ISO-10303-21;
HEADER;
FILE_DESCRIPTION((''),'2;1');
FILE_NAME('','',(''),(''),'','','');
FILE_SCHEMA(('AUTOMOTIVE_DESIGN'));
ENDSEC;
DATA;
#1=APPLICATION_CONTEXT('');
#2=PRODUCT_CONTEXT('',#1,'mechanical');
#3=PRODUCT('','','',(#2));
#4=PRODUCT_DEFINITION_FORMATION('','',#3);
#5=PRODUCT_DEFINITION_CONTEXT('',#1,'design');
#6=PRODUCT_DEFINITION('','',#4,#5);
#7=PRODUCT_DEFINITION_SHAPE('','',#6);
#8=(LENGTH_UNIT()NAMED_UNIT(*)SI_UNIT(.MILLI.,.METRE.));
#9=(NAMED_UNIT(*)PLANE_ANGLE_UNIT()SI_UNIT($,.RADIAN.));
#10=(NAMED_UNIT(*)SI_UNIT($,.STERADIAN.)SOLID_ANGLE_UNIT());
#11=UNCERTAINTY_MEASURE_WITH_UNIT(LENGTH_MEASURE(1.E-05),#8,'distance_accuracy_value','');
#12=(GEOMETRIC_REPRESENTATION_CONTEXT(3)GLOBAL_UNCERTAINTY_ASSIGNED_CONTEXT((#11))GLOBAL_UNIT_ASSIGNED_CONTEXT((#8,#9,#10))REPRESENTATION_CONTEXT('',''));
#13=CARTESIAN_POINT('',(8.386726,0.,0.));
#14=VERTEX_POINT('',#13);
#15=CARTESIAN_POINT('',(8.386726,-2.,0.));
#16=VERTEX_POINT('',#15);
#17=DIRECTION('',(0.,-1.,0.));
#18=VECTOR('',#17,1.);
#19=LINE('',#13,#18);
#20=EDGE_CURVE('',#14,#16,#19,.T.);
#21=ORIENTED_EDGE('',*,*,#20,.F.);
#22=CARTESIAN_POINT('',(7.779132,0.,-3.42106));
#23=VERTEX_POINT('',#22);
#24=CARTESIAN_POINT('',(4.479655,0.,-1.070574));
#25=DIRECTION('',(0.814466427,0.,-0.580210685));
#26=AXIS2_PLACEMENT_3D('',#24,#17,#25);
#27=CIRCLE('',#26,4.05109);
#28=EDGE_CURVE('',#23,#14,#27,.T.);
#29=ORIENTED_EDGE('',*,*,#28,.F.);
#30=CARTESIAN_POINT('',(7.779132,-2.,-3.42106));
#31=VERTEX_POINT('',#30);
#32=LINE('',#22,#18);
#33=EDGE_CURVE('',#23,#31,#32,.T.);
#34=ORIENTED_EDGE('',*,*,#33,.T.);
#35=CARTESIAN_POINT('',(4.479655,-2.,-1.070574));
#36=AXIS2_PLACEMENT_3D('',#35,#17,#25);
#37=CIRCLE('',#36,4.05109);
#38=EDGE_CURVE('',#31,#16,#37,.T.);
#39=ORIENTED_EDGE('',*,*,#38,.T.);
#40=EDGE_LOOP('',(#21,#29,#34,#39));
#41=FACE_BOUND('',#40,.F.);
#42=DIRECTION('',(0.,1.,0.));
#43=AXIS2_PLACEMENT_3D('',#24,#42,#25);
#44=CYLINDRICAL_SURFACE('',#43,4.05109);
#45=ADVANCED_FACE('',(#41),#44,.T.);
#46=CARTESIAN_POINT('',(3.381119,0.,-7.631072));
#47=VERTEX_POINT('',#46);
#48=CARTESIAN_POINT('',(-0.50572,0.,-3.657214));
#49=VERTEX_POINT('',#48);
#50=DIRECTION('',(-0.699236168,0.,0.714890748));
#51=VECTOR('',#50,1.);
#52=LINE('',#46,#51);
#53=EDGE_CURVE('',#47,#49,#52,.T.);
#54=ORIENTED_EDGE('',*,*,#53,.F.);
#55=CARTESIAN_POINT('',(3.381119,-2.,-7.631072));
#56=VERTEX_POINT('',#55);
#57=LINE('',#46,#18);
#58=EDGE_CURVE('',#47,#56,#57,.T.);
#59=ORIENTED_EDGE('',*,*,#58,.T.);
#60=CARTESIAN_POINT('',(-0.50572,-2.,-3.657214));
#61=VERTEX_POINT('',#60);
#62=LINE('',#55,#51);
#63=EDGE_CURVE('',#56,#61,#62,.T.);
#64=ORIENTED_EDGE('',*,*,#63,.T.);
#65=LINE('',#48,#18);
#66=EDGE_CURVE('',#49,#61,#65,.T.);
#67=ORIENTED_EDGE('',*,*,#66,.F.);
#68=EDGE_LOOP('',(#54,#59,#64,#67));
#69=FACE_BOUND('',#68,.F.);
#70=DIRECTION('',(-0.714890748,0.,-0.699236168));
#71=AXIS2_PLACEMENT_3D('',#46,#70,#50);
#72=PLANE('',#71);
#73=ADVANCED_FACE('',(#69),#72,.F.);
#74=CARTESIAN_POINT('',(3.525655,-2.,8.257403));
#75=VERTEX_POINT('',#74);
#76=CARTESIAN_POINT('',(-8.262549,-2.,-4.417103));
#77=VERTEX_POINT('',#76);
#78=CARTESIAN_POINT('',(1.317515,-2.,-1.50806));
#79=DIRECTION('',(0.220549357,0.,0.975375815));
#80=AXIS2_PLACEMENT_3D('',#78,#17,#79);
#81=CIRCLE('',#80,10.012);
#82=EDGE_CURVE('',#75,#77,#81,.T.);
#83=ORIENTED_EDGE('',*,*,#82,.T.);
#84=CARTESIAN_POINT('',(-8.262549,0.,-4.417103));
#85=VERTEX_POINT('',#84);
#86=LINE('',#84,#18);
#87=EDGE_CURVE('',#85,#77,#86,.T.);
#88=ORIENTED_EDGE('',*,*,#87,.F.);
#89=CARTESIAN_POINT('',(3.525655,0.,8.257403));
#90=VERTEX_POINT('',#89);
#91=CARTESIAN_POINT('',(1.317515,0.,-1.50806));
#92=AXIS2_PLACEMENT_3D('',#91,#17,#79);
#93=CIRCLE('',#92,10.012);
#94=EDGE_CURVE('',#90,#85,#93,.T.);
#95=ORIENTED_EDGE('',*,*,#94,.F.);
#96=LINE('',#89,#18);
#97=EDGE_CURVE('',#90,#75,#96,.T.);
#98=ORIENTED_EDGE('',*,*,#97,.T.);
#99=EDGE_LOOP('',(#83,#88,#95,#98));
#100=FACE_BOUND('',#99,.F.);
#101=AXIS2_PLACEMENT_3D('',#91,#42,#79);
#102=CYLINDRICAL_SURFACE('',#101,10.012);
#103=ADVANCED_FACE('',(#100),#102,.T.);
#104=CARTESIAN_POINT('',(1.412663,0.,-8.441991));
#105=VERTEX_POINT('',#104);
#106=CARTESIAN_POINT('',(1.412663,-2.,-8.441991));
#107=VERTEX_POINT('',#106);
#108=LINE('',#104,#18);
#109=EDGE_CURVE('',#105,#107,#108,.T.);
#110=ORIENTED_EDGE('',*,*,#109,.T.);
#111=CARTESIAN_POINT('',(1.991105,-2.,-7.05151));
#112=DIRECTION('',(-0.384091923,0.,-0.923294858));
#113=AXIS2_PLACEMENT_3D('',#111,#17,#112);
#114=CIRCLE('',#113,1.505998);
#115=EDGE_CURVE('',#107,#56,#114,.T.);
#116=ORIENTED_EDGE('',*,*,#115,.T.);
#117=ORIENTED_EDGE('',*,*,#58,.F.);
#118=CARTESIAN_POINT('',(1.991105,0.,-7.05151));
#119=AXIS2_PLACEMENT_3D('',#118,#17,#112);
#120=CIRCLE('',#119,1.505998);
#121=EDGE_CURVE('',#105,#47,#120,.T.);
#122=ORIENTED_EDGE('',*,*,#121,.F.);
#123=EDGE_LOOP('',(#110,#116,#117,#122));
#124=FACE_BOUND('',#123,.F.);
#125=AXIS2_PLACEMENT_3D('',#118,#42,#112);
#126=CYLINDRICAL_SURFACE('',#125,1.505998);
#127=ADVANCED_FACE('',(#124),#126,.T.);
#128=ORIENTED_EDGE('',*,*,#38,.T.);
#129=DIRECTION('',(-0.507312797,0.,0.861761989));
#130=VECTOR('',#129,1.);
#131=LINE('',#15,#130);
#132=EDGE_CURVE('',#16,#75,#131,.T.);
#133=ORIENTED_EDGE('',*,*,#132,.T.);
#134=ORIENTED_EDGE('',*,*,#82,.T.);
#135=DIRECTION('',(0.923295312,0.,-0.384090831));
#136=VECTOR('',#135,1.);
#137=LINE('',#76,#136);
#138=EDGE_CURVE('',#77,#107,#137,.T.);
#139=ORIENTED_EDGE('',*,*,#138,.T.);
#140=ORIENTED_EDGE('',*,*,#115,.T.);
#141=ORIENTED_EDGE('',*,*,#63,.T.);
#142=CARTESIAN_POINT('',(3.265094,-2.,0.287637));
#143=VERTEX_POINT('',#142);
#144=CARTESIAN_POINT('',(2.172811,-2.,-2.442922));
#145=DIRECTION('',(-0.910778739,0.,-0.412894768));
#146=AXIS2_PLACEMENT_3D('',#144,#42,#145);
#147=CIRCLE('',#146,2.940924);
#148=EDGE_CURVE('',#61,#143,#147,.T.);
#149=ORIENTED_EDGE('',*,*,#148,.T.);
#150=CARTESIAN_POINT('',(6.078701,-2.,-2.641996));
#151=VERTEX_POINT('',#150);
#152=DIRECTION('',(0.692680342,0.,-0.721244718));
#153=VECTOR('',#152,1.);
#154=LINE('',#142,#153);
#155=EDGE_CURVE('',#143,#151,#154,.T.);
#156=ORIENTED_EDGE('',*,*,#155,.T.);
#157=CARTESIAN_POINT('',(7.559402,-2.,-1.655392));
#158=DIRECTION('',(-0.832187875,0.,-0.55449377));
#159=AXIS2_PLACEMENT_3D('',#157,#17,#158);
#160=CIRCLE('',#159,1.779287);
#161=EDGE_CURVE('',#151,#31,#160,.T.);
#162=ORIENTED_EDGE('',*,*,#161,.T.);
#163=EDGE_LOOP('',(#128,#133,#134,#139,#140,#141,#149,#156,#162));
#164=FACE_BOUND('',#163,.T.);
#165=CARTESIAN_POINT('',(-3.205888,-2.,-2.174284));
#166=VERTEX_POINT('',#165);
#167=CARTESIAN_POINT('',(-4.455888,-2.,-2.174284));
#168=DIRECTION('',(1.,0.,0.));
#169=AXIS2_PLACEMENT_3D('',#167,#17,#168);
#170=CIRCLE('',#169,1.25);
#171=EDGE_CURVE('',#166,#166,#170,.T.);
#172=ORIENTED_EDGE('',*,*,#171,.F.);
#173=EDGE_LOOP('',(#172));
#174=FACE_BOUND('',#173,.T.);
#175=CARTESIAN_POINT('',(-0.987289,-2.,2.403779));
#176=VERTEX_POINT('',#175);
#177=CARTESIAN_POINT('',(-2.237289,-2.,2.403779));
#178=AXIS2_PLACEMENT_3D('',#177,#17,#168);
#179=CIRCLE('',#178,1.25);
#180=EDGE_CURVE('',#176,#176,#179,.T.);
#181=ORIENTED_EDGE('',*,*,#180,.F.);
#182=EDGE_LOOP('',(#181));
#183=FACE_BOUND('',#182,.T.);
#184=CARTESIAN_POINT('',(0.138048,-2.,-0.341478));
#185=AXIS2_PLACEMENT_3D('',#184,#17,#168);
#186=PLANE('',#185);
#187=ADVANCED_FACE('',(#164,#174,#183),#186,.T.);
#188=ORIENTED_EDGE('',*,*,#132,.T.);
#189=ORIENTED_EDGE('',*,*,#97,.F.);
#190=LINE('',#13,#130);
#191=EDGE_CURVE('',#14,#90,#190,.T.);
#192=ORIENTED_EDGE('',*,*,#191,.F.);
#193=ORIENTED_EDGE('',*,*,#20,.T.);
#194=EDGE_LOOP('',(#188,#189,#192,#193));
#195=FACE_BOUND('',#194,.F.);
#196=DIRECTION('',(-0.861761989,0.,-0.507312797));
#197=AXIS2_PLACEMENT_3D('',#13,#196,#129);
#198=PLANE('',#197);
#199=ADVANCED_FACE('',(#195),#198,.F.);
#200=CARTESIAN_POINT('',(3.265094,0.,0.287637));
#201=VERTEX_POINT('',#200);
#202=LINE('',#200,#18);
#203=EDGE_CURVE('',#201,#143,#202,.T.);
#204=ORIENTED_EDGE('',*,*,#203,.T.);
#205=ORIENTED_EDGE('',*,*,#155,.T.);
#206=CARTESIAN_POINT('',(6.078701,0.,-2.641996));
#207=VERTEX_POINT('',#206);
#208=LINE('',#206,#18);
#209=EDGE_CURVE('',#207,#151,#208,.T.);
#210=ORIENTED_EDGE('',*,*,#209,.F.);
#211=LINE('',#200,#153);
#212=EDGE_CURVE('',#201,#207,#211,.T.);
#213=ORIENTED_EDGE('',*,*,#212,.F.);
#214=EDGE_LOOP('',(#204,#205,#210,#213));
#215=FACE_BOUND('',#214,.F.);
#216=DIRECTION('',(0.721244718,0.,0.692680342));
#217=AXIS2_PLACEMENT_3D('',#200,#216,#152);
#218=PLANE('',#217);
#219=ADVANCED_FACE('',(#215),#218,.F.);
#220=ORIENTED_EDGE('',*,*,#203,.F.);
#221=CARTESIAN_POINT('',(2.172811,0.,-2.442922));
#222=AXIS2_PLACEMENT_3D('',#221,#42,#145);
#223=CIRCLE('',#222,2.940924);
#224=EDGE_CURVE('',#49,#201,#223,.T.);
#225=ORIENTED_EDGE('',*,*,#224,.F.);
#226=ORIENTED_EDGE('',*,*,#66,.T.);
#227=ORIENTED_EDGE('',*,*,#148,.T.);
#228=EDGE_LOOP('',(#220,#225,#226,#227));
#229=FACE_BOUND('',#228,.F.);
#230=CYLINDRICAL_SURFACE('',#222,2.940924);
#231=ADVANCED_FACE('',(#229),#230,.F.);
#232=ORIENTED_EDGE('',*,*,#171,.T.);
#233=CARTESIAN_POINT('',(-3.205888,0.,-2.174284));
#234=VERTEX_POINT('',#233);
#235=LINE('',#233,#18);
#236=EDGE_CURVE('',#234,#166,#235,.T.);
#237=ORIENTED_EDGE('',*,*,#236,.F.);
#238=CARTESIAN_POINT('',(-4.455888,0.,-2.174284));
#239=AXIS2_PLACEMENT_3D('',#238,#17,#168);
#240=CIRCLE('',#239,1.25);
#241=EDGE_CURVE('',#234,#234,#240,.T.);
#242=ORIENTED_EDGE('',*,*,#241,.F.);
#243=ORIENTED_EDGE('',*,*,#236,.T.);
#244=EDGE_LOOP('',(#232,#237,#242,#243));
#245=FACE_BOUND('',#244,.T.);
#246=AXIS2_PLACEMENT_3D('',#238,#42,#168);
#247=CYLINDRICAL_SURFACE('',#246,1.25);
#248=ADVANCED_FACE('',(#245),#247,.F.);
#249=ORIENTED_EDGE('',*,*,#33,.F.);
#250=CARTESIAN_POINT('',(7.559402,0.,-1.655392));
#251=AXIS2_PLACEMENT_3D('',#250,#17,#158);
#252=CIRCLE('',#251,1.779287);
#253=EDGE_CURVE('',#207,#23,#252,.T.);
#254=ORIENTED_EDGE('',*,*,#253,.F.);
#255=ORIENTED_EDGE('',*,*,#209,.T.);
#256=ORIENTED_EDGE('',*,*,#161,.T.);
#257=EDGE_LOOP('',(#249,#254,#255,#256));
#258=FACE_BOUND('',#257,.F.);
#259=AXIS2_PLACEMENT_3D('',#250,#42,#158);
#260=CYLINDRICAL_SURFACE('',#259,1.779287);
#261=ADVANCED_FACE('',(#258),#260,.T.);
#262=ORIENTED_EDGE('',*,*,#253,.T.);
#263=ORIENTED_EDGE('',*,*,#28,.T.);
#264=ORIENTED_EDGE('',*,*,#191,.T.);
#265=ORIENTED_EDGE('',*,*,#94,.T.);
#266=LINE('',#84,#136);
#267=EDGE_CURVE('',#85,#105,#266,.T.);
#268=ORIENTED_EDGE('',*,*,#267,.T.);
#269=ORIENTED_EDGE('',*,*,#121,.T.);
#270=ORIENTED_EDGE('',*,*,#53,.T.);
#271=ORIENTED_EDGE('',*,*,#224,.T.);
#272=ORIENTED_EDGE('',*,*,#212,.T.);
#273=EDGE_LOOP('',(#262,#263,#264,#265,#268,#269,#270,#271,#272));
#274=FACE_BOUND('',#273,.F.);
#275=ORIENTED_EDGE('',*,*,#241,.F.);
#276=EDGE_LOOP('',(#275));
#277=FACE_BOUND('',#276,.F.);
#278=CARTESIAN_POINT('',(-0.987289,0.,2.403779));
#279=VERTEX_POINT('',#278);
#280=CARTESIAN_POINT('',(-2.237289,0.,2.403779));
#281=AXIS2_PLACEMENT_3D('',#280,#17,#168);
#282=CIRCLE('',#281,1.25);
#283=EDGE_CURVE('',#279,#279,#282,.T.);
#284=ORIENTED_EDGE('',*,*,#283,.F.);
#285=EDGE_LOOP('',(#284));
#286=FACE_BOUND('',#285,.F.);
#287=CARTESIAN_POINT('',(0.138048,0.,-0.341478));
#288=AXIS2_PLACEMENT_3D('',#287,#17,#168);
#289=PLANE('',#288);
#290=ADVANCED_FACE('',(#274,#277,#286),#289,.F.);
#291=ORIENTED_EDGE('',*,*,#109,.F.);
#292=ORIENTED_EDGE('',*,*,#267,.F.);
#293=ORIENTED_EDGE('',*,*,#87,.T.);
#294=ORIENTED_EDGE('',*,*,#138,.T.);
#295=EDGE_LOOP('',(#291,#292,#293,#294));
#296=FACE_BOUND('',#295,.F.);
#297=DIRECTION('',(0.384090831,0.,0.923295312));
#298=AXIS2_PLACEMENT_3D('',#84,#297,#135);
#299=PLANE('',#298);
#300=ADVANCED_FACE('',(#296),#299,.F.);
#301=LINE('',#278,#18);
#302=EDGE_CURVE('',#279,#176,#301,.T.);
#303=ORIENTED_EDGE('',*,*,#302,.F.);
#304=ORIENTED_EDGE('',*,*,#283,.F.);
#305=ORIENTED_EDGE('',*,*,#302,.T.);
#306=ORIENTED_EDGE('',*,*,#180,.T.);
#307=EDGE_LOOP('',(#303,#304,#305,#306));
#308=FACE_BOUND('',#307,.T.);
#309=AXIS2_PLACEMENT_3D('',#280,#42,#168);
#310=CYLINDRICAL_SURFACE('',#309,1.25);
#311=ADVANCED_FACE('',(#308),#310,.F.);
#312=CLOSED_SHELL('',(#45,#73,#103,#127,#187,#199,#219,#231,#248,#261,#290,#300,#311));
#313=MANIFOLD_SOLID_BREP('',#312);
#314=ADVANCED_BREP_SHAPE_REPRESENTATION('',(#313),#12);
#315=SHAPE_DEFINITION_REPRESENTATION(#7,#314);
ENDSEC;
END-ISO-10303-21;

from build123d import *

# Parameters (mm, degrees)
F0_R     = 1.25
F1_DEPTH = 2


with BuildPart() as f1:
    # F0 (on Front) → F1 (new body)
    with BuildSketch(Plane.XZ):
        with BuildLine():
            Line((-8.262549, -4.417103), (1.412663, -8.441991))
            ThreePointArc((1.412663, -8.441991), (2.564742, -8.44398), (3.381119, -7.631072))
            Line((3.381119, -7.631072), (-0.50572, -3.657214))
            ThreePointArc((-0.50572, -3.657214), (0.046897, -0.410799), (3.265094, 0.287637))
            Line((3.265094, 0.287637), (6.078701, -2.641996))
            ThreePointArc((6.078701, -2.641996), (6.81829, -3.272988), (7.779132, -3.42106))
            ThreePointArc((7.779132, -3.42106), (8.468326, -1.778978), (8.386726, 0))
            Line((8.386726, 0), (3.525655, 8.257403))
            ThreePointArc((3.525655, 8.257403), (-6.013726, 5.310522), (-8.262549, -4.417103))
        make_face()
        with Locations((-4.455888, -2.174284)):
            Circle(F0_R, mode=Mode.SUBTRACT)
        with Locations((-2.237289, 2.403779)):
            Circle(F0_R, mode=Mode.SUBTRACT)
    extrude(amount=F1_DEPTH)


solid = f1.part
